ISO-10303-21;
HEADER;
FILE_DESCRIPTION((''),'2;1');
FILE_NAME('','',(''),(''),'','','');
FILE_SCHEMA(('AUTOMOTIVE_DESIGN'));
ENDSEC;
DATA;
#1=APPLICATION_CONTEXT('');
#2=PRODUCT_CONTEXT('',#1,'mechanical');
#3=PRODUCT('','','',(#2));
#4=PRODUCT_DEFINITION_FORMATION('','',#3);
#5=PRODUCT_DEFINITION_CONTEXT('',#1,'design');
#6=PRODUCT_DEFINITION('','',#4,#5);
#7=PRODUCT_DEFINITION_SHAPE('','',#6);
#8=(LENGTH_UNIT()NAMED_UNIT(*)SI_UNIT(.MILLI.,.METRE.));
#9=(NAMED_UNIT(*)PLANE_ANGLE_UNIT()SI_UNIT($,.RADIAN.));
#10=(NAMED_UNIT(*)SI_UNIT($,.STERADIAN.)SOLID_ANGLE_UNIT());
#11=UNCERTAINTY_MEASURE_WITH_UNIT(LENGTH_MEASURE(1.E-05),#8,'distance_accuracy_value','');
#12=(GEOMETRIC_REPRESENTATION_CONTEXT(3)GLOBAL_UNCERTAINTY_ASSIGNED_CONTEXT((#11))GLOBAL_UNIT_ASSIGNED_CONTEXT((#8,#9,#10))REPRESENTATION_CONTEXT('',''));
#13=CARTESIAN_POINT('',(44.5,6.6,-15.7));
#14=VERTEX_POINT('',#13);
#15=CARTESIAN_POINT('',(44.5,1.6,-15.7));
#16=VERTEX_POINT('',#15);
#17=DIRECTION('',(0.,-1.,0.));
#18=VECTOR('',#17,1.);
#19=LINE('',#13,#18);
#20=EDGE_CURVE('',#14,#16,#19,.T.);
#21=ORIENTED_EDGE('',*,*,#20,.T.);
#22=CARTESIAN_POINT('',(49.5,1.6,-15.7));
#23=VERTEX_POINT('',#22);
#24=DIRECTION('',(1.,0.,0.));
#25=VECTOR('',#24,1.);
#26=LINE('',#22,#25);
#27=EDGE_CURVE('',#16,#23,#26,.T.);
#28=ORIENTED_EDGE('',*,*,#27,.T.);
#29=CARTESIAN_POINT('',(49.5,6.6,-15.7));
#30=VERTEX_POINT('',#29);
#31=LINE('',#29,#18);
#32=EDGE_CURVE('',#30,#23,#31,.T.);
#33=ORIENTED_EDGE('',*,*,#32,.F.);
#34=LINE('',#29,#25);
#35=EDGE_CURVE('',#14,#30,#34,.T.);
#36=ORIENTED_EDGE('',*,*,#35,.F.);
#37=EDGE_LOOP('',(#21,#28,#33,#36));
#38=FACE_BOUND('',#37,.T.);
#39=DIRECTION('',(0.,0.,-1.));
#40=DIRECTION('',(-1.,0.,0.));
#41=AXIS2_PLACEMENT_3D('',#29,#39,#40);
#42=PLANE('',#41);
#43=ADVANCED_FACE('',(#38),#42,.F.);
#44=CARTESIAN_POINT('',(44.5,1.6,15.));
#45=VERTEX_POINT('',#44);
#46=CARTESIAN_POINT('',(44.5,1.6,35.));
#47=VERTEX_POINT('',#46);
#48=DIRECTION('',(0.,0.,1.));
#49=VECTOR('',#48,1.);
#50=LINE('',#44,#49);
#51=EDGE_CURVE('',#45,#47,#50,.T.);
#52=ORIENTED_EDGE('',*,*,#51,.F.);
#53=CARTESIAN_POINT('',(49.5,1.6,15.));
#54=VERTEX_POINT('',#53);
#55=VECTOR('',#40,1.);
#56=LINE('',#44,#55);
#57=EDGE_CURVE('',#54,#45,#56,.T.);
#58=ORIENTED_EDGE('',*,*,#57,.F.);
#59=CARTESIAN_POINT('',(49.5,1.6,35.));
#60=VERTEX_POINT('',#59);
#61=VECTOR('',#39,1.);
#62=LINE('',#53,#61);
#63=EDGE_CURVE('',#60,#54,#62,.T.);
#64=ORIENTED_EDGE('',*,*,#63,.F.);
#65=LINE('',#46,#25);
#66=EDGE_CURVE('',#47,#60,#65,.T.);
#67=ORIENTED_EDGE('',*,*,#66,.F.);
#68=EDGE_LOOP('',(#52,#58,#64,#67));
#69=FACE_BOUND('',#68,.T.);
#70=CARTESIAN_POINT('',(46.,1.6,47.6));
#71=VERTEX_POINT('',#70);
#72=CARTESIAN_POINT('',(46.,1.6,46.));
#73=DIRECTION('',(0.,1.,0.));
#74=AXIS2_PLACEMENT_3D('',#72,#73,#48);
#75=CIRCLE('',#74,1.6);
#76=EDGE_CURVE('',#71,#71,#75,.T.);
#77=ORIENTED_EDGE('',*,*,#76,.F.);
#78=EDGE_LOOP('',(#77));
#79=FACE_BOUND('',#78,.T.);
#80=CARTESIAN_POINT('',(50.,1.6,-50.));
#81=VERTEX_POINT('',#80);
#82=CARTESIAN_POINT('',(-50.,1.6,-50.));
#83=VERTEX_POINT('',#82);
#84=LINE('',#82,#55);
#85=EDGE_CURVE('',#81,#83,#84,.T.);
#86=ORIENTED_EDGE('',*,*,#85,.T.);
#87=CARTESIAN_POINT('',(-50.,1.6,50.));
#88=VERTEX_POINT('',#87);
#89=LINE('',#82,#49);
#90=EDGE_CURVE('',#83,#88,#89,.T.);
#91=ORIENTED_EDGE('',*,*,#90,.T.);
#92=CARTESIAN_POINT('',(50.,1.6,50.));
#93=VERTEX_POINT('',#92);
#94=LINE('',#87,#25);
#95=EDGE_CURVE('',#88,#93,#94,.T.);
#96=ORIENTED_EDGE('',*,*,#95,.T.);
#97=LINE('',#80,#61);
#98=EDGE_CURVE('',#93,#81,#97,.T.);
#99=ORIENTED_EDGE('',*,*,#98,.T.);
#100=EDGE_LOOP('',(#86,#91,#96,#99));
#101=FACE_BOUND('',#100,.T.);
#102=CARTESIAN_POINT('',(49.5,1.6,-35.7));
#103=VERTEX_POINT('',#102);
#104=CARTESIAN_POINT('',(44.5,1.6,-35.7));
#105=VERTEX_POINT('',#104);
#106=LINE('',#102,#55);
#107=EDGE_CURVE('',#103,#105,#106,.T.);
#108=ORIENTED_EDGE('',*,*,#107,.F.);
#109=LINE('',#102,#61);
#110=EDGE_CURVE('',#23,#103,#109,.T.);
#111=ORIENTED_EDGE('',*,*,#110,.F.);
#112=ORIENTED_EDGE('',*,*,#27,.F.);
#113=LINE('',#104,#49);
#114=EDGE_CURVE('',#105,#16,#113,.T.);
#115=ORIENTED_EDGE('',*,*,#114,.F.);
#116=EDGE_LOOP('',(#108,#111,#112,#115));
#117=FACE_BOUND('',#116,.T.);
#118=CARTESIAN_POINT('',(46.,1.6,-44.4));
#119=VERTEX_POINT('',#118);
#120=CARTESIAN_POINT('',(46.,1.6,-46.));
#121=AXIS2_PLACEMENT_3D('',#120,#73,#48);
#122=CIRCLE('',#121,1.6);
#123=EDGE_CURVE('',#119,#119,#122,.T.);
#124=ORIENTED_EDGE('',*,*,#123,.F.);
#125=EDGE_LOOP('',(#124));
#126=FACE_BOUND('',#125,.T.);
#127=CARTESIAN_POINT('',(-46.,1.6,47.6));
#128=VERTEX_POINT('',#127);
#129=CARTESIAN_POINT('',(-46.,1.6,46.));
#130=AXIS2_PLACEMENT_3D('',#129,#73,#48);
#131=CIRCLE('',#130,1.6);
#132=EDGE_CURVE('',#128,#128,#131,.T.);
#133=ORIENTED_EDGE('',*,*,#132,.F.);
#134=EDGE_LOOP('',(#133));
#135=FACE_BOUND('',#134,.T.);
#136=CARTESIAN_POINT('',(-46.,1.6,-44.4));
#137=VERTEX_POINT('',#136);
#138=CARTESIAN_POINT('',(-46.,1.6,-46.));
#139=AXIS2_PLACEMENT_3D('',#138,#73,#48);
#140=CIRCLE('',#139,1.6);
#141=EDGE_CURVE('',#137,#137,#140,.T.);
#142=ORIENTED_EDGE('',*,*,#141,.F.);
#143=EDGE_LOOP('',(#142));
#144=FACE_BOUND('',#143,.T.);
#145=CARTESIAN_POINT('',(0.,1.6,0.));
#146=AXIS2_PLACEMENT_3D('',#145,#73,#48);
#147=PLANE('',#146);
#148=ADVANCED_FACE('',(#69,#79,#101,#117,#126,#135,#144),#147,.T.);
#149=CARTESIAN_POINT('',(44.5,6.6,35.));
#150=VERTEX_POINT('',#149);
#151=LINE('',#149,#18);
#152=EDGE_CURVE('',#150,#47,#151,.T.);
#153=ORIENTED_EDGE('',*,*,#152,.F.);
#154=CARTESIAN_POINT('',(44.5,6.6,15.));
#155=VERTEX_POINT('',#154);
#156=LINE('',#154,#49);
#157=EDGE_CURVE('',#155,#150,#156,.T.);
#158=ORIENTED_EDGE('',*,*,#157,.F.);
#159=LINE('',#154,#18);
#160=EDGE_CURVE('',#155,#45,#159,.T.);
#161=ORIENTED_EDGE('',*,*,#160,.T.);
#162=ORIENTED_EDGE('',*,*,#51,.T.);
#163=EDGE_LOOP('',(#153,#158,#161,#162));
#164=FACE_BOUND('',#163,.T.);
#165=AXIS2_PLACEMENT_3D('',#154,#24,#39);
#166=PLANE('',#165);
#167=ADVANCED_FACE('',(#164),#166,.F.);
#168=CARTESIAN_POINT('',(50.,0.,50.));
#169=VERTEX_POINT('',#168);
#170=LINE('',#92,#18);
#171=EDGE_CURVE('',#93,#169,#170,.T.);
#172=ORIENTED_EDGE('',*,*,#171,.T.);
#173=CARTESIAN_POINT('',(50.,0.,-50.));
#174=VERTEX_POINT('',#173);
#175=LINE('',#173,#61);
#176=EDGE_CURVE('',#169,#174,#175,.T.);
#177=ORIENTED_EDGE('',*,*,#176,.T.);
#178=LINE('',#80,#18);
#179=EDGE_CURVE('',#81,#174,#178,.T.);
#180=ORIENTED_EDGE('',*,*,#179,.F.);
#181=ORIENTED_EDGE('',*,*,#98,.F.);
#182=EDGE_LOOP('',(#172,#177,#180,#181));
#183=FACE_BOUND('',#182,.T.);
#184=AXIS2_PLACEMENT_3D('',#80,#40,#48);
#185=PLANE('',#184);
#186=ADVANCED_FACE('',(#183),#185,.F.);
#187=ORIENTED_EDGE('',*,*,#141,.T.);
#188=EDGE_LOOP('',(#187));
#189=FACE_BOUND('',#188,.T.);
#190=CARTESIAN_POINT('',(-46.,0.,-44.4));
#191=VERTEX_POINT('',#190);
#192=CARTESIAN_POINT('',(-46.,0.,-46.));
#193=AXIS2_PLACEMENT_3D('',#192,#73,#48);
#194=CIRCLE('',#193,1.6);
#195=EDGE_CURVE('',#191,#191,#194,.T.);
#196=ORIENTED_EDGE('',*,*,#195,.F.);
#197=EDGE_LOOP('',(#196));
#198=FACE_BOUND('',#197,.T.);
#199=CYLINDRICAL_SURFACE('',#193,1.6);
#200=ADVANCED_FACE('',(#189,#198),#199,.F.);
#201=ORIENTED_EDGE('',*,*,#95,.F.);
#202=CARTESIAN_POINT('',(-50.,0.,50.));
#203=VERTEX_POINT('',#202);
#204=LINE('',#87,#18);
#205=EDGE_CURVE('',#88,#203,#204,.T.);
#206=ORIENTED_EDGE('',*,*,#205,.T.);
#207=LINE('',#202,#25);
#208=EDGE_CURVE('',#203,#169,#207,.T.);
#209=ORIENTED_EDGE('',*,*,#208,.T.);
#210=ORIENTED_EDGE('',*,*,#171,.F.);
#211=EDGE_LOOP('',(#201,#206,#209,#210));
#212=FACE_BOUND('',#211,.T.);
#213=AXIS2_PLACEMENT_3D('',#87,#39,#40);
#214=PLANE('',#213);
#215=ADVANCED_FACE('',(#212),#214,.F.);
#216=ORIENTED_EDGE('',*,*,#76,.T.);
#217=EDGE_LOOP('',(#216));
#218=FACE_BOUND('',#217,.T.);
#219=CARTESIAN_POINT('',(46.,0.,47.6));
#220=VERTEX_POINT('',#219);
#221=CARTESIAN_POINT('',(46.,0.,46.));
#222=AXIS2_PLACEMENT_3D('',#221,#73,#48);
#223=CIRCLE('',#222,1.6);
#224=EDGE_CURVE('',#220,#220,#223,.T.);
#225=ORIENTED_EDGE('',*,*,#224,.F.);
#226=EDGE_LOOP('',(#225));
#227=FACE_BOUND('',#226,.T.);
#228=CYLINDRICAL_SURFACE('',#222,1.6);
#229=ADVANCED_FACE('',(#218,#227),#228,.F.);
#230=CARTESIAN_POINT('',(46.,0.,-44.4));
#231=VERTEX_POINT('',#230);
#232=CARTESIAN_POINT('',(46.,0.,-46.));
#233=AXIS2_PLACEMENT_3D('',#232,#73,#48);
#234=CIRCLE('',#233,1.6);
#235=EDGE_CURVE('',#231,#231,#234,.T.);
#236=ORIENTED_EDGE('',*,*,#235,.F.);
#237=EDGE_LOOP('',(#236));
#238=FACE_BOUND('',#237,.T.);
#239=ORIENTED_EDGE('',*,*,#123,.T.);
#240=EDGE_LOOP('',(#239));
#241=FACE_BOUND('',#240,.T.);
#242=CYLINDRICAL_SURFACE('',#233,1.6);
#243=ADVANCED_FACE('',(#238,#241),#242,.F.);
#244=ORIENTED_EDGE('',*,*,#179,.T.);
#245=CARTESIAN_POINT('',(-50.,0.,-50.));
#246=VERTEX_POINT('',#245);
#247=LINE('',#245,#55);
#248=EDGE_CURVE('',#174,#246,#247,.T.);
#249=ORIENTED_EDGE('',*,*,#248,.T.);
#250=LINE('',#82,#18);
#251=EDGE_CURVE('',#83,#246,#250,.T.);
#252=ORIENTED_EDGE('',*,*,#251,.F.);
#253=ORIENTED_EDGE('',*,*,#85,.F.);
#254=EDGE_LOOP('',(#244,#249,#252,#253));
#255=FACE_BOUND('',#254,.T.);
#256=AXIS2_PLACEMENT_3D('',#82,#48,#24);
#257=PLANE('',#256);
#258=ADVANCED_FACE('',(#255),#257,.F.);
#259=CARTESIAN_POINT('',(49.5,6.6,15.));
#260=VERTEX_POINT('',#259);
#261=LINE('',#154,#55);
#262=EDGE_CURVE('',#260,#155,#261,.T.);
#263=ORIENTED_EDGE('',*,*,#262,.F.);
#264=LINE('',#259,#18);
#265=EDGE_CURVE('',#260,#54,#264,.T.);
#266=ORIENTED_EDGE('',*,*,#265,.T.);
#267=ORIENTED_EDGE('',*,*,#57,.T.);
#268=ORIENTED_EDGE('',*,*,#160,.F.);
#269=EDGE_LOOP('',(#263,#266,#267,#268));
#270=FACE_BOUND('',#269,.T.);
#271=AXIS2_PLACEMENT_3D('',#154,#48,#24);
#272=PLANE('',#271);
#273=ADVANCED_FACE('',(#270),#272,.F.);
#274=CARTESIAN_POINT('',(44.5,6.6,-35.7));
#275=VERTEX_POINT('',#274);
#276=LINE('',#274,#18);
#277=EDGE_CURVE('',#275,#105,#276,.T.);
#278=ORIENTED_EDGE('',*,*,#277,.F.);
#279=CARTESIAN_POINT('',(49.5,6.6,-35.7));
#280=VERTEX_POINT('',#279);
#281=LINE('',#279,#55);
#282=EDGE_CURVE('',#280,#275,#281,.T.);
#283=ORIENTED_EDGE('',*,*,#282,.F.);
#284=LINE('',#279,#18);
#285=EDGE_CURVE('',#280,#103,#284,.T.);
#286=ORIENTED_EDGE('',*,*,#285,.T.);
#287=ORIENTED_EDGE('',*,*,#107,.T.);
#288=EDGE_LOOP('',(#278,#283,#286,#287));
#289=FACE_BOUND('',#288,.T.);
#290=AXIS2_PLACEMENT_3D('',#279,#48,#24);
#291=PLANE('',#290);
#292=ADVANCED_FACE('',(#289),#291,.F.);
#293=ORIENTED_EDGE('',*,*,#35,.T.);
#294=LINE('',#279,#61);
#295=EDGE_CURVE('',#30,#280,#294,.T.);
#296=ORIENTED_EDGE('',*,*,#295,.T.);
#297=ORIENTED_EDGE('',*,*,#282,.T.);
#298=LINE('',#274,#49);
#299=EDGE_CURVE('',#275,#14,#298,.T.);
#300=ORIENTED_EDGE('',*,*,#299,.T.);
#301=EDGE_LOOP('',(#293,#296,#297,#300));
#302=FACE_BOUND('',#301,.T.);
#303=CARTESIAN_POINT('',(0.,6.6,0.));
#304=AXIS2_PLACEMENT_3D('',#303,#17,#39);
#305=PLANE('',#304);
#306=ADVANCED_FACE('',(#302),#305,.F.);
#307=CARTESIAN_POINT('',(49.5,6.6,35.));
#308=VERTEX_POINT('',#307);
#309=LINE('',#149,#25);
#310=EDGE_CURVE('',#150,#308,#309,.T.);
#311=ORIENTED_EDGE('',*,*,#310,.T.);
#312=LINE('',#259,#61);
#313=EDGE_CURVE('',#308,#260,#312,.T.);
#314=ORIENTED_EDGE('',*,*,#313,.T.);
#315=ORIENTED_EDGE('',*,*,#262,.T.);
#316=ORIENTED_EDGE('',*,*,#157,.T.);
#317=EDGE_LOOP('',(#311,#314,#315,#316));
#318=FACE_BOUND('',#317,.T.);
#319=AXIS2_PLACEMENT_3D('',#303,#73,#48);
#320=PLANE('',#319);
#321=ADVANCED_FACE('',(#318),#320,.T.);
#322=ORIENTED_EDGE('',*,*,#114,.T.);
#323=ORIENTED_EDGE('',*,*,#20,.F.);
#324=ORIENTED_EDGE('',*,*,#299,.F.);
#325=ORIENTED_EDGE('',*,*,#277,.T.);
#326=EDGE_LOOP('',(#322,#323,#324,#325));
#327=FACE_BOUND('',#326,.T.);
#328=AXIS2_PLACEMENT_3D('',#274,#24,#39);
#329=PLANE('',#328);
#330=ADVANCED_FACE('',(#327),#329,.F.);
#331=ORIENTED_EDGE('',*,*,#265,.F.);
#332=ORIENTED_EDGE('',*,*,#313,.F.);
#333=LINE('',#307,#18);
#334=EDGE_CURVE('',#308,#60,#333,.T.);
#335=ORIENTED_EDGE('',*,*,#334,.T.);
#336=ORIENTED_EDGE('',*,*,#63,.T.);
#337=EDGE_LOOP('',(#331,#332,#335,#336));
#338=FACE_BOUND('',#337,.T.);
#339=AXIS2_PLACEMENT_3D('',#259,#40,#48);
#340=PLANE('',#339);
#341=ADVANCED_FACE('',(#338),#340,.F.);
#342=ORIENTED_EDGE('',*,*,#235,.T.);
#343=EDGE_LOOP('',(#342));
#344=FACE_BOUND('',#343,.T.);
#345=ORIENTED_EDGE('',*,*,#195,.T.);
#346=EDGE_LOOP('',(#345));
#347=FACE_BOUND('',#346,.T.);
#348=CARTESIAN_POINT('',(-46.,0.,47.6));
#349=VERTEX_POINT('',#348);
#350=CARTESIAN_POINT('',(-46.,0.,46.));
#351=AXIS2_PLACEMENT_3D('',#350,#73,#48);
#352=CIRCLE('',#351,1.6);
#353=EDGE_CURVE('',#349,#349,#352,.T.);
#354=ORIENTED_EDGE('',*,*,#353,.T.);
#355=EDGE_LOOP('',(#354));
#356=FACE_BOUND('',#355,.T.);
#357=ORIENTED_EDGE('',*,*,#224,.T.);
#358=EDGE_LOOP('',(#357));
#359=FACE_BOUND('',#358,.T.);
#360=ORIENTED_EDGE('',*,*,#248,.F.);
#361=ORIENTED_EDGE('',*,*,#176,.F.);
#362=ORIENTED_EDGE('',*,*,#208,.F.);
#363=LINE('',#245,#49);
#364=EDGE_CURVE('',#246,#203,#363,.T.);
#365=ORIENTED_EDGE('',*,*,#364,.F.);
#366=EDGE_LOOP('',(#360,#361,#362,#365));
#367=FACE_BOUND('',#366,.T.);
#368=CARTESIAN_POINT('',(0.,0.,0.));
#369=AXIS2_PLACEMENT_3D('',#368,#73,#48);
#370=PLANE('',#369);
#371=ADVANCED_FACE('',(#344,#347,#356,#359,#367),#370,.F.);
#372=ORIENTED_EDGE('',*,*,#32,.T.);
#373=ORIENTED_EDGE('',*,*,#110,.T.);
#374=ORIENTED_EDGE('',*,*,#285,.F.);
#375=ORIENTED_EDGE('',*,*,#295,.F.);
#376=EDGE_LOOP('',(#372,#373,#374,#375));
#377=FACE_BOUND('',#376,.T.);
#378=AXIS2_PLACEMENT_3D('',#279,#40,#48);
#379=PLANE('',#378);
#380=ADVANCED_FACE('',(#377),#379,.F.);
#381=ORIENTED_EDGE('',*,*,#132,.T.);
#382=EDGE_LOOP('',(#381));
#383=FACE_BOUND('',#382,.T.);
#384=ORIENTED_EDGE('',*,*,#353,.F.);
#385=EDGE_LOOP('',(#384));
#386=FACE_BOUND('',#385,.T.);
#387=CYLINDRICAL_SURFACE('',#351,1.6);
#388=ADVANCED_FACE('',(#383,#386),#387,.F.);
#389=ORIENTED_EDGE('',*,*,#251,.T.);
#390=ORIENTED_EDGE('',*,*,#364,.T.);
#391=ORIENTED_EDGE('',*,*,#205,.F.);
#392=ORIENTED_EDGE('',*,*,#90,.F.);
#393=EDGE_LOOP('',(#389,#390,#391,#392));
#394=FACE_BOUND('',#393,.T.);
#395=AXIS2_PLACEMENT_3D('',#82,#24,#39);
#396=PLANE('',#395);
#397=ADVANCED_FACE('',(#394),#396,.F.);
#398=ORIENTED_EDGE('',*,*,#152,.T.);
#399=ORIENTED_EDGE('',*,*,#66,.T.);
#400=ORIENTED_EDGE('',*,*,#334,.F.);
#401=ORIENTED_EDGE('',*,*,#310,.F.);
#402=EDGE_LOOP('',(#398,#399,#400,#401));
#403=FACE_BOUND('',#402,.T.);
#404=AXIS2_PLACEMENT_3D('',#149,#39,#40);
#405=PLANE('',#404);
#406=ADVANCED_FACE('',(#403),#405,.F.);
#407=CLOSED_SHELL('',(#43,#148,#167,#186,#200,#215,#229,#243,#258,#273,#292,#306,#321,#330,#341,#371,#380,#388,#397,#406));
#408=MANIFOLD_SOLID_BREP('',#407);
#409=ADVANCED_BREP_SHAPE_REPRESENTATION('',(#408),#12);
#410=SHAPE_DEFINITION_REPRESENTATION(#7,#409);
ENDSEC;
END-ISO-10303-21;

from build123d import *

# Parameters (mm, degrees)
SKETCH1_W           = 100
SKETCH1_H           = 100
BOSS_EXTRUDE1_DEPTH = 1.6
SKETCH2_R           = 1.6
CUT_EXTRUDE1_DEPTH  = 71.728777736
SKETCH3_W           = 5
SKETCH3_H           = 20
BOSS_EXTRUDE2_DEPTH = 5


with BuildPart() as part:
    # Sketch1 → Boss-Extrude1 (new body)
    with BuildSketch(Plane(origin=(0, 0, 0), x_dir=(1, 0, 0), z_dir=(0, 1, 0))):
        Rectangle(SKETCH1_W, SKETCH1_H)
    extrude(amount=BOSS_EXTRUDE1_DEPTH)

    # Sketch2 → Cut-Extrude1 (cut, through all)
    with BuildSketch(Plane(origin=(0, 1.6, 0), x_dir=(1, 0, 0), z_dir=(0, 1, 0))):
        with Locations(Location((-46, -46, 0), (0, 0, 270))):
            Circle(SKETCH2_R)
        with Locations(Location((-46, 46, 0), (0, 0, 270))):
            Circle(SKETCH2_R)
        with Locations(Location((46, 46, 0), (0, 0, 270))):
            Circle(SKETCH2_R)
        with Locations(Location((46, -46, 0), (0, 0, 270))):
            Circle(SKETCH2_R)
    extrude(amount=-CUT_EXTRUDE1_DEPTH, mode=Mode.SUBTRACT)

    # Sketch3 → Boss-Extrude2 (add)
    with BuildSketch(Plane(origin=(0, 1.6, 0), x_dir=(1, 0, 0), z_dir=(0, 1, 0))):
        with Locations((47, -25)):
            Rectangle(SKETCH3_W, SKETCH3_H)
        with Locations((47, 25.7)):
            Rectangle(SKETCH3_W, SKETCH3_H)
    extrude(amount=BOSS_EXTRUDE2_DEPTH)


solid = part.part
